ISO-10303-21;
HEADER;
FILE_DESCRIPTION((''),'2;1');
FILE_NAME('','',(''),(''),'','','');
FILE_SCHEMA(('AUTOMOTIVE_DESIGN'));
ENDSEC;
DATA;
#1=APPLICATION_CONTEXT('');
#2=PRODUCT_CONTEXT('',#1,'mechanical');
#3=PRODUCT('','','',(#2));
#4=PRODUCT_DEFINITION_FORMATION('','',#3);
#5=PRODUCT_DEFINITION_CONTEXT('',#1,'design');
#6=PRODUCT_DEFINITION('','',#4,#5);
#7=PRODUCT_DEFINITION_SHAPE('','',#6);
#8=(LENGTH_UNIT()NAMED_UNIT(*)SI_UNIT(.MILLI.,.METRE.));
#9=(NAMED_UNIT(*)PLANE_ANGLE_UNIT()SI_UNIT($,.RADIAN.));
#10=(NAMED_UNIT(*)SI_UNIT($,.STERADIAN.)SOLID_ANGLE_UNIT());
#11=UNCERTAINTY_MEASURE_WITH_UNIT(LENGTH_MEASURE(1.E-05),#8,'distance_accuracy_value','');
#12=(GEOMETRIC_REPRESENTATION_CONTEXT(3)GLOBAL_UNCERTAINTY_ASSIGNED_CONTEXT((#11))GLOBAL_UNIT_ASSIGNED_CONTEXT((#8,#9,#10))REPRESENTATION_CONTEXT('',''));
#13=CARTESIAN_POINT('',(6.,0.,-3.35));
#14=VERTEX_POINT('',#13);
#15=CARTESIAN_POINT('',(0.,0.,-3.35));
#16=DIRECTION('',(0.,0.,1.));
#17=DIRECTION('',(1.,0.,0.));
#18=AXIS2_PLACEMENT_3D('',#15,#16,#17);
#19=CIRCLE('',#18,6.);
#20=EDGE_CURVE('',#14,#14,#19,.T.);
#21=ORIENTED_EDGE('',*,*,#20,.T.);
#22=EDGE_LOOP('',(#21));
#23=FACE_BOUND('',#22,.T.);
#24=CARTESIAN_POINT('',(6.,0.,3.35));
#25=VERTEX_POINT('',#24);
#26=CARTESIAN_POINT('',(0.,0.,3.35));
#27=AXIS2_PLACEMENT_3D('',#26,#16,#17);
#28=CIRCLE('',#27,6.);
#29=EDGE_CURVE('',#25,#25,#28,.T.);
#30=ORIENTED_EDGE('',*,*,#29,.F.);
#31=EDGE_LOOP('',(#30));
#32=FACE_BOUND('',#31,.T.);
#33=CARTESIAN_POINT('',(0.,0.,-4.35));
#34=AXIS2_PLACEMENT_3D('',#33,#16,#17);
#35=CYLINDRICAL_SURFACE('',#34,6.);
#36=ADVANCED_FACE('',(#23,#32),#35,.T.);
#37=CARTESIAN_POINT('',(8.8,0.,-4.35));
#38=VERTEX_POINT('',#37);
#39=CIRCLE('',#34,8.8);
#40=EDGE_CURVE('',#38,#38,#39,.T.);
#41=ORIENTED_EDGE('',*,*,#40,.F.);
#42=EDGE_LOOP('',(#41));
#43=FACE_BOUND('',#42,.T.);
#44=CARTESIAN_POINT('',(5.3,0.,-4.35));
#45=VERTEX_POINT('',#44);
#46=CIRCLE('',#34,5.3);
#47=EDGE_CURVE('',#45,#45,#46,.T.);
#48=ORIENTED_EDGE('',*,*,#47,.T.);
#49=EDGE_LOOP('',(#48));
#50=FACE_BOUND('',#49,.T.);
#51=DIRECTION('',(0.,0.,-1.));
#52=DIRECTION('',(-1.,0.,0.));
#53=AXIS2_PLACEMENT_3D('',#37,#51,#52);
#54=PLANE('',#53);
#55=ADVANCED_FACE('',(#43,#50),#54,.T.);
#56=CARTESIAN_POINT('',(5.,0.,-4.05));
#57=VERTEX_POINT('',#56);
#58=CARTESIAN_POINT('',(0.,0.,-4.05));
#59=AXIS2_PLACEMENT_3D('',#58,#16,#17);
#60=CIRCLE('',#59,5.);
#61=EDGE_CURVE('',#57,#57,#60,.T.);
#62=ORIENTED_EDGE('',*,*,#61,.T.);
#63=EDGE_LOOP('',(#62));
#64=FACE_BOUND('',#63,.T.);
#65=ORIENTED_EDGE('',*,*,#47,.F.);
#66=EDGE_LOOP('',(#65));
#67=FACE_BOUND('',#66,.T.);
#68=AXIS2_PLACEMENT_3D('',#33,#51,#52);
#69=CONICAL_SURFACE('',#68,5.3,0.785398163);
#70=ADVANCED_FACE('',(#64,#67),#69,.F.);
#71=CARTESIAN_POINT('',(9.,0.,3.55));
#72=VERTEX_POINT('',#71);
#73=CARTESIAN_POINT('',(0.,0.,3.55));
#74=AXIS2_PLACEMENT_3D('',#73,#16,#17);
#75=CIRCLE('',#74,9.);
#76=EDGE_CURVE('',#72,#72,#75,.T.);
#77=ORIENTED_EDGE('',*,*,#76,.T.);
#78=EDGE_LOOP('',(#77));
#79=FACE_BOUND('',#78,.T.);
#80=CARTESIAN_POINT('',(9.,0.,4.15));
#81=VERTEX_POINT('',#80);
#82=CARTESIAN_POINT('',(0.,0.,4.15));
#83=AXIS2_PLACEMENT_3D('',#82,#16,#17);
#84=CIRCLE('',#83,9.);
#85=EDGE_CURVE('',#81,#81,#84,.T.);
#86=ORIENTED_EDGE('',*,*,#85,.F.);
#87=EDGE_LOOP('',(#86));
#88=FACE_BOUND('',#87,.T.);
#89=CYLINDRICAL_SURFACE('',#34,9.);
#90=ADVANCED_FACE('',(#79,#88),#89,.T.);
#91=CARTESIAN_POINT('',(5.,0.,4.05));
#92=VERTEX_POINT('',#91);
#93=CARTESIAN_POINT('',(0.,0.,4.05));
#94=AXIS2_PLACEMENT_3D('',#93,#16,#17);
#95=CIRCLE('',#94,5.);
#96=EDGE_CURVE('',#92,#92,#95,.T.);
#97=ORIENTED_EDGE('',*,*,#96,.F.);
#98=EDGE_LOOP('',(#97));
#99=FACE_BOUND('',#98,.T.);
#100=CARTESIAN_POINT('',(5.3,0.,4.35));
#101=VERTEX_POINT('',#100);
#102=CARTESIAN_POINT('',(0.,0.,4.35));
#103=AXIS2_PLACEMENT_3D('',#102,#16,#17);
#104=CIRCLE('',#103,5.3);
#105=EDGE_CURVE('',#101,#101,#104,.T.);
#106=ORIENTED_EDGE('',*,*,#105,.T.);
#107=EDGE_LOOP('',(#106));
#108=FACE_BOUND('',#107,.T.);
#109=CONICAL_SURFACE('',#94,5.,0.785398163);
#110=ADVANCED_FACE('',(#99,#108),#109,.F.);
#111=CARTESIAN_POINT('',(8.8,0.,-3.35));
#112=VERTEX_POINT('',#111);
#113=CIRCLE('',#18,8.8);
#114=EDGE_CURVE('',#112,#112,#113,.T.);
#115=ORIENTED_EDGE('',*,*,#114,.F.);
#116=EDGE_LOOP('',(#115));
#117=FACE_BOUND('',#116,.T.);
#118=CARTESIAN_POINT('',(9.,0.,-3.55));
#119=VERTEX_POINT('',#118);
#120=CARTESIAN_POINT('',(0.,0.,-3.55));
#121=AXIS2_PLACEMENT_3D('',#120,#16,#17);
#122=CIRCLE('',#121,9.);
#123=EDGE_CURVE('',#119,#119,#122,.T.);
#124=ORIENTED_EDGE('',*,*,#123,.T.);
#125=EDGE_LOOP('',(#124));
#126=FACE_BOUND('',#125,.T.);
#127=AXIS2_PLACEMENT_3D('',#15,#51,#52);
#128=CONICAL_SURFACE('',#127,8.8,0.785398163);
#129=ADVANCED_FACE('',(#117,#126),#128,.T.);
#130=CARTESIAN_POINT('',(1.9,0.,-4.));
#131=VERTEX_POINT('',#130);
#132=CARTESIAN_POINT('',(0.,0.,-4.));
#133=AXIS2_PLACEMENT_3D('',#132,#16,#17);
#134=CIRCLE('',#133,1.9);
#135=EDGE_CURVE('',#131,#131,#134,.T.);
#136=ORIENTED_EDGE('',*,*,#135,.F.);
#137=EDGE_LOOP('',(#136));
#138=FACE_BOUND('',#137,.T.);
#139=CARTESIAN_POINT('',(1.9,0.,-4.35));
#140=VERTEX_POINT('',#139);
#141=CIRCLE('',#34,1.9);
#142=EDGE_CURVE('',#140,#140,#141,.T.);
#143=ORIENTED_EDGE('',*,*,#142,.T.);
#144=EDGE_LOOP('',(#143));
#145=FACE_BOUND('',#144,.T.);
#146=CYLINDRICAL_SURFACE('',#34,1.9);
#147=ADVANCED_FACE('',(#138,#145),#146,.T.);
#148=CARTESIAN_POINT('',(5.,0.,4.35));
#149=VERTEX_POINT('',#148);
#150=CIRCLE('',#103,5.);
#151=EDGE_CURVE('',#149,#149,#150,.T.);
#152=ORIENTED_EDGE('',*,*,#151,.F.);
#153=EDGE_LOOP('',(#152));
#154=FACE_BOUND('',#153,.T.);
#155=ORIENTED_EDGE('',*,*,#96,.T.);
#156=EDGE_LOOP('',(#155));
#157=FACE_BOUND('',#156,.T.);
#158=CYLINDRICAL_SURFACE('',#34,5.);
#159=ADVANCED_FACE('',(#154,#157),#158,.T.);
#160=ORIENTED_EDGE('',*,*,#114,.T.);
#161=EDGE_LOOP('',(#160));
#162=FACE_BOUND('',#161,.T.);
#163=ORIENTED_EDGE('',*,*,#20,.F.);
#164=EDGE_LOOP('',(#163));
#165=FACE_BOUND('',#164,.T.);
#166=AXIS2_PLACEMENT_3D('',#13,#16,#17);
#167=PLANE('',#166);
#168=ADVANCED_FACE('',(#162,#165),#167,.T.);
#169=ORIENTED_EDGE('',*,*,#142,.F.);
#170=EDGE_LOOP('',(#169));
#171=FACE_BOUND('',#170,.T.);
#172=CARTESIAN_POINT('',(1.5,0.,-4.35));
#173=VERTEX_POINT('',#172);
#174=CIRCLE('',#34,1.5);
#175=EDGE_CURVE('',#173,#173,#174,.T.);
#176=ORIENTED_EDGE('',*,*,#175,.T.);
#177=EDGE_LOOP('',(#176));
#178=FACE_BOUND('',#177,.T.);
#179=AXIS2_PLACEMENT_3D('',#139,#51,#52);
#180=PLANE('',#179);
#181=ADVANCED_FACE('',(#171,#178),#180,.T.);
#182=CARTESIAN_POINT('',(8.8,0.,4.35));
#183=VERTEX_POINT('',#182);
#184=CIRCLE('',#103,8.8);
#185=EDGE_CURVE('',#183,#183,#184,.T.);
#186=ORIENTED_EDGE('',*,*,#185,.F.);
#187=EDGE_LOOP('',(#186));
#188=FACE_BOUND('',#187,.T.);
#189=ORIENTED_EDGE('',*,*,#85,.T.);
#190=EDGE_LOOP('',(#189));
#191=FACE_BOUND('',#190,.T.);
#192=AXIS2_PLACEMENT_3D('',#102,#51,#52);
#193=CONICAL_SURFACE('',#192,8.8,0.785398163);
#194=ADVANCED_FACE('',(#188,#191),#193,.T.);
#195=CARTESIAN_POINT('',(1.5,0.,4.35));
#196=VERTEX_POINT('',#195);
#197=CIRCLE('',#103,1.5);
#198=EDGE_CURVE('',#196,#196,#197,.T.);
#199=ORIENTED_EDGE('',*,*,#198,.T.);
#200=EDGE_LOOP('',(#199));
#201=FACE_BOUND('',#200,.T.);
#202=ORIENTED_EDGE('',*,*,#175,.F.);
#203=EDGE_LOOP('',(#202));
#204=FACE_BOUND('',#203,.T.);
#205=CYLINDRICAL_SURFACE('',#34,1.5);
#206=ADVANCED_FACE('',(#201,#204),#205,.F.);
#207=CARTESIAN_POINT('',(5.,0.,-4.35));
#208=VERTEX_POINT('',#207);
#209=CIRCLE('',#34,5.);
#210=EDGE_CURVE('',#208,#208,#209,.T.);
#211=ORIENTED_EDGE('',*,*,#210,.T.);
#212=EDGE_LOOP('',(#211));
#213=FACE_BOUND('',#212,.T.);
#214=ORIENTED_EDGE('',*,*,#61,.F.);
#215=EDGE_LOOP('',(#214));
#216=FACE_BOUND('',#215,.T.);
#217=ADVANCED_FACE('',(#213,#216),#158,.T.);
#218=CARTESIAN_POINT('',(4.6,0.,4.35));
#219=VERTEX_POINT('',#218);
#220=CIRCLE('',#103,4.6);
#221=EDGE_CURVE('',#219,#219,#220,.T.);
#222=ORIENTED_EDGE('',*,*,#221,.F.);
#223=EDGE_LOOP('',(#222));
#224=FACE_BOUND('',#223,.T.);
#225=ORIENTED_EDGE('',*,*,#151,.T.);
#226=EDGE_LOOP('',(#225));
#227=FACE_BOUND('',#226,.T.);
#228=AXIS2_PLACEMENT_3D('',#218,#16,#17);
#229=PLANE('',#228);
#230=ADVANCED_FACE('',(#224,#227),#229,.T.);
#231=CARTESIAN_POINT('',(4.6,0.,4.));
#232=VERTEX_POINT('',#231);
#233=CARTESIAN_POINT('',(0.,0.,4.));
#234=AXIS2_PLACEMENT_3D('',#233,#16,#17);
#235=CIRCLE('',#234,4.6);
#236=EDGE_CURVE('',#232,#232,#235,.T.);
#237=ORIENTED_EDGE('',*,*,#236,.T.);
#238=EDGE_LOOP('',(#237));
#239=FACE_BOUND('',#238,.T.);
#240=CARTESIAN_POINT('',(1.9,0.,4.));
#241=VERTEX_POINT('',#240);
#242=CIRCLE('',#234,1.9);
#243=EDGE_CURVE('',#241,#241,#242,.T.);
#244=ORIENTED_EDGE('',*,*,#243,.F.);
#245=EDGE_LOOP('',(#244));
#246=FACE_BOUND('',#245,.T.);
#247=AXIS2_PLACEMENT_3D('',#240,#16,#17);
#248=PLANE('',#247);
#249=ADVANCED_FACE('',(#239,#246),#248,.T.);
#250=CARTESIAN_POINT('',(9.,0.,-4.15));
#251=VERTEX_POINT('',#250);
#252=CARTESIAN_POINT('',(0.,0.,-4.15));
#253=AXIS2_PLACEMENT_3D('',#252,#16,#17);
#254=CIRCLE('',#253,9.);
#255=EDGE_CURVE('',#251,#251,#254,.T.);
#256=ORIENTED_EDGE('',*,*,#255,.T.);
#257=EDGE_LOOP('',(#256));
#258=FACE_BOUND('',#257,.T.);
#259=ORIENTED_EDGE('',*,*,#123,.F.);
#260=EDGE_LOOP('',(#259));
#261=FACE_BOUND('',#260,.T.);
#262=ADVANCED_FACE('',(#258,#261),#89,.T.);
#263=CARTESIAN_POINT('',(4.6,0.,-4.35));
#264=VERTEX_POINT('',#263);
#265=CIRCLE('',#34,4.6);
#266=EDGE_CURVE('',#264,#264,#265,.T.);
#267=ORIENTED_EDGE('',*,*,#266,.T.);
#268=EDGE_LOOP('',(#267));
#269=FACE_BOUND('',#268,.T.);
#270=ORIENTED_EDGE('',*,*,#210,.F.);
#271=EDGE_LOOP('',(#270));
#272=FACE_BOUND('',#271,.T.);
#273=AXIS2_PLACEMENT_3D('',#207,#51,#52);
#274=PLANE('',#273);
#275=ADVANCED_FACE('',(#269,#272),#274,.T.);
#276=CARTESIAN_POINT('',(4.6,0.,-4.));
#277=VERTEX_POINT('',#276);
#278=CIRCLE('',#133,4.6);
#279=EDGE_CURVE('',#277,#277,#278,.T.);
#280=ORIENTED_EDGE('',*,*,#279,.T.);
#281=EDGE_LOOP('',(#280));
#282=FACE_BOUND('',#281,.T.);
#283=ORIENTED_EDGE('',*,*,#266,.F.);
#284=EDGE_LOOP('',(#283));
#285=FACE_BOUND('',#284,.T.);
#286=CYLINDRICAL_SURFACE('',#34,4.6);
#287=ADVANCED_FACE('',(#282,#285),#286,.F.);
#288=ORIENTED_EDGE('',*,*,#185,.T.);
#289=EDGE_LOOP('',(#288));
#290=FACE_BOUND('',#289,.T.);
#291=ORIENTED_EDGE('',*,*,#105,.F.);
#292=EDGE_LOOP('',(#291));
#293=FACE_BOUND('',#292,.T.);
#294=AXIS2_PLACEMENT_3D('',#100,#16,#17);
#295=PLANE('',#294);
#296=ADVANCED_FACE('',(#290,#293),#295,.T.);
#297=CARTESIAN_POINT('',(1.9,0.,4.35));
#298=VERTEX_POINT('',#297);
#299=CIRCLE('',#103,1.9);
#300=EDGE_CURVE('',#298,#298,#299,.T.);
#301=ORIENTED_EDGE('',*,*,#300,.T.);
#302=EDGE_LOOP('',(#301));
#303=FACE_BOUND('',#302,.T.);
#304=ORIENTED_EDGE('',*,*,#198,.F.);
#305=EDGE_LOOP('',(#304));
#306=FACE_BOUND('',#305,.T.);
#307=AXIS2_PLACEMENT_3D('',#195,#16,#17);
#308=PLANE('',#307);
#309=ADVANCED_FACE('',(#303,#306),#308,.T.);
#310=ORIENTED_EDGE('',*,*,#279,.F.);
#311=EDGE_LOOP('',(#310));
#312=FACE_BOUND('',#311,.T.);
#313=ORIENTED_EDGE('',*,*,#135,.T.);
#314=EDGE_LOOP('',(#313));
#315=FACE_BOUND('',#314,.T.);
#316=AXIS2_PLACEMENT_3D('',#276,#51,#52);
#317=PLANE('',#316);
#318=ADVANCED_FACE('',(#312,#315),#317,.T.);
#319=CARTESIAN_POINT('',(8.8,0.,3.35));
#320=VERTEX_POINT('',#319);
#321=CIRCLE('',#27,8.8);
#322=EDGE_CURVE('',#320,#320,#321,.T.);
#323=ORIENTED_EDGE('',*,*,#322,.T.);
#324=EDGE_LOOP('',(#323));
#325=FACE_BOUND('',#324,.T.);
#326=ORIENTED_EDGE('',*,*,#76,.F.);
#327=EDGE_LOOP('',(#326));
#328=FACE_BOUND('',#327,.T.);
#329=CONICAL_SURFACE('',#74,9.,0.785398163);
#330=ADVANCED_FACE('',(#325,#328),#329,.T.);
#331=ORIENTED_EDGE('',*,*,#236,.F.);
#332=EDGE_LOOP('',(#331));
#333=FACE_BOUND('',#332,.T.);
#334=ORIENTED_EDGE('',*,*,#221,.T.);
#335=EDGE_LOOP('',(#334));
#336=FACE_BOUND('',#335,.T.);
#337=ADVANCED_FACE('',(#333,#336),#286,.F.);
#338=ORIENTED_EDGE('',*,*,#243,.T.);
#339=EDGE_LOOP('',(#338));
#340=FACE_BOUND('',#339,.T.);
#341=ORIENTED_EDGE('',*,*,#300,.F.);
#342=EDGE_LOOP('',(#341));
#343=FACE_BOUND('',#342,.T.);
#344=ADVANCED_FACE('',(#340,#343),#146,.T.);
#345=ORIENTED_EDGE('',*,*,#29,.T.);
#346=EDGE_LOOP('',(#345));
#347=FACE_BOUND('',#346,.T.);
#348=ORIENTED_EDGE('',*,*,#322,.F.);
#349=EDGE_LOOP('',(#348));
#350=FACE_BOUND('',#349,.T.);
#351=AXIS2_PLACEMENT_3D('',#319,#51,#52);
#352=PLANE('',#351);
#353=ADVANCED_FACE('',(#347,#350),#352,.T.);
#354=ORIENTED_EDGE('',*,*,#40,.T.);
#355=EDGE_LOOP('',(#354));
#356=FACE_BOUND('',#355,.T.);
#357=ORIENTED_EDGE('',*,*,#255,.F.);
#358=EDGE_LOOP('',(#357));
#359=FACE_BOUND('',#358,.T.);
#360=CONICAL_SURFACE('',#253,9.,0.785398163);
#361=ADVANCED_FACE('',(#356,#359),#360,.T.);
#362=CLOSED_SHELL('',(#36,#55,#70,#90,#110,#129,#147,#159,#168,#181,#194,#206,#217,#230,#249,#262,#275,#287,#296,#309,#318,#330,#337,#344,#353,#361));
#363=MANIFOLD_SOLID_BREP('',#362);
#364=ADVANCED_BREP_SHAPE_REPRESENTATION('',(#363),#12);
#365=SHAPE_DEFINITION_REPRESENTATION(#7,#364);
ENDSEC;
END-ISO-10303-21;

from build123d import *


with BuildPart() as part:
    # Эскиз1 → Повернуть1 (revolve)
    with BuildSketch(Plane(origin=(0, 0, 0), x_dir=(1, 0, 0), z_dir=(0, 1, 0))):
        Polygon((4.6, 4.35), (4.6, 4), (1.9, 4), (1.9, 4.35), (1.5, 4.35), (1.5, -4.35), (1.9, -4.35), (1.9, -4), (4.6, -4), (4.6, -4.35), (5, -4.35), (5, -4.05), (5.3, -4.35), (8.8, -4.35), (9, -4.15), (9, -3.55), (8.8, -3.35), (6, -3.35), (6, 3.35), (8.8, 3.35), (9, 3.55), (9, 4.15), (8.8, 4.35), (5.3, 4.35), (5, 4.05), (5, 4.35), align=None)
    revolve(axis=Axis((0, 0, -4.35), (0, 0, 1)))


solid = part.part
